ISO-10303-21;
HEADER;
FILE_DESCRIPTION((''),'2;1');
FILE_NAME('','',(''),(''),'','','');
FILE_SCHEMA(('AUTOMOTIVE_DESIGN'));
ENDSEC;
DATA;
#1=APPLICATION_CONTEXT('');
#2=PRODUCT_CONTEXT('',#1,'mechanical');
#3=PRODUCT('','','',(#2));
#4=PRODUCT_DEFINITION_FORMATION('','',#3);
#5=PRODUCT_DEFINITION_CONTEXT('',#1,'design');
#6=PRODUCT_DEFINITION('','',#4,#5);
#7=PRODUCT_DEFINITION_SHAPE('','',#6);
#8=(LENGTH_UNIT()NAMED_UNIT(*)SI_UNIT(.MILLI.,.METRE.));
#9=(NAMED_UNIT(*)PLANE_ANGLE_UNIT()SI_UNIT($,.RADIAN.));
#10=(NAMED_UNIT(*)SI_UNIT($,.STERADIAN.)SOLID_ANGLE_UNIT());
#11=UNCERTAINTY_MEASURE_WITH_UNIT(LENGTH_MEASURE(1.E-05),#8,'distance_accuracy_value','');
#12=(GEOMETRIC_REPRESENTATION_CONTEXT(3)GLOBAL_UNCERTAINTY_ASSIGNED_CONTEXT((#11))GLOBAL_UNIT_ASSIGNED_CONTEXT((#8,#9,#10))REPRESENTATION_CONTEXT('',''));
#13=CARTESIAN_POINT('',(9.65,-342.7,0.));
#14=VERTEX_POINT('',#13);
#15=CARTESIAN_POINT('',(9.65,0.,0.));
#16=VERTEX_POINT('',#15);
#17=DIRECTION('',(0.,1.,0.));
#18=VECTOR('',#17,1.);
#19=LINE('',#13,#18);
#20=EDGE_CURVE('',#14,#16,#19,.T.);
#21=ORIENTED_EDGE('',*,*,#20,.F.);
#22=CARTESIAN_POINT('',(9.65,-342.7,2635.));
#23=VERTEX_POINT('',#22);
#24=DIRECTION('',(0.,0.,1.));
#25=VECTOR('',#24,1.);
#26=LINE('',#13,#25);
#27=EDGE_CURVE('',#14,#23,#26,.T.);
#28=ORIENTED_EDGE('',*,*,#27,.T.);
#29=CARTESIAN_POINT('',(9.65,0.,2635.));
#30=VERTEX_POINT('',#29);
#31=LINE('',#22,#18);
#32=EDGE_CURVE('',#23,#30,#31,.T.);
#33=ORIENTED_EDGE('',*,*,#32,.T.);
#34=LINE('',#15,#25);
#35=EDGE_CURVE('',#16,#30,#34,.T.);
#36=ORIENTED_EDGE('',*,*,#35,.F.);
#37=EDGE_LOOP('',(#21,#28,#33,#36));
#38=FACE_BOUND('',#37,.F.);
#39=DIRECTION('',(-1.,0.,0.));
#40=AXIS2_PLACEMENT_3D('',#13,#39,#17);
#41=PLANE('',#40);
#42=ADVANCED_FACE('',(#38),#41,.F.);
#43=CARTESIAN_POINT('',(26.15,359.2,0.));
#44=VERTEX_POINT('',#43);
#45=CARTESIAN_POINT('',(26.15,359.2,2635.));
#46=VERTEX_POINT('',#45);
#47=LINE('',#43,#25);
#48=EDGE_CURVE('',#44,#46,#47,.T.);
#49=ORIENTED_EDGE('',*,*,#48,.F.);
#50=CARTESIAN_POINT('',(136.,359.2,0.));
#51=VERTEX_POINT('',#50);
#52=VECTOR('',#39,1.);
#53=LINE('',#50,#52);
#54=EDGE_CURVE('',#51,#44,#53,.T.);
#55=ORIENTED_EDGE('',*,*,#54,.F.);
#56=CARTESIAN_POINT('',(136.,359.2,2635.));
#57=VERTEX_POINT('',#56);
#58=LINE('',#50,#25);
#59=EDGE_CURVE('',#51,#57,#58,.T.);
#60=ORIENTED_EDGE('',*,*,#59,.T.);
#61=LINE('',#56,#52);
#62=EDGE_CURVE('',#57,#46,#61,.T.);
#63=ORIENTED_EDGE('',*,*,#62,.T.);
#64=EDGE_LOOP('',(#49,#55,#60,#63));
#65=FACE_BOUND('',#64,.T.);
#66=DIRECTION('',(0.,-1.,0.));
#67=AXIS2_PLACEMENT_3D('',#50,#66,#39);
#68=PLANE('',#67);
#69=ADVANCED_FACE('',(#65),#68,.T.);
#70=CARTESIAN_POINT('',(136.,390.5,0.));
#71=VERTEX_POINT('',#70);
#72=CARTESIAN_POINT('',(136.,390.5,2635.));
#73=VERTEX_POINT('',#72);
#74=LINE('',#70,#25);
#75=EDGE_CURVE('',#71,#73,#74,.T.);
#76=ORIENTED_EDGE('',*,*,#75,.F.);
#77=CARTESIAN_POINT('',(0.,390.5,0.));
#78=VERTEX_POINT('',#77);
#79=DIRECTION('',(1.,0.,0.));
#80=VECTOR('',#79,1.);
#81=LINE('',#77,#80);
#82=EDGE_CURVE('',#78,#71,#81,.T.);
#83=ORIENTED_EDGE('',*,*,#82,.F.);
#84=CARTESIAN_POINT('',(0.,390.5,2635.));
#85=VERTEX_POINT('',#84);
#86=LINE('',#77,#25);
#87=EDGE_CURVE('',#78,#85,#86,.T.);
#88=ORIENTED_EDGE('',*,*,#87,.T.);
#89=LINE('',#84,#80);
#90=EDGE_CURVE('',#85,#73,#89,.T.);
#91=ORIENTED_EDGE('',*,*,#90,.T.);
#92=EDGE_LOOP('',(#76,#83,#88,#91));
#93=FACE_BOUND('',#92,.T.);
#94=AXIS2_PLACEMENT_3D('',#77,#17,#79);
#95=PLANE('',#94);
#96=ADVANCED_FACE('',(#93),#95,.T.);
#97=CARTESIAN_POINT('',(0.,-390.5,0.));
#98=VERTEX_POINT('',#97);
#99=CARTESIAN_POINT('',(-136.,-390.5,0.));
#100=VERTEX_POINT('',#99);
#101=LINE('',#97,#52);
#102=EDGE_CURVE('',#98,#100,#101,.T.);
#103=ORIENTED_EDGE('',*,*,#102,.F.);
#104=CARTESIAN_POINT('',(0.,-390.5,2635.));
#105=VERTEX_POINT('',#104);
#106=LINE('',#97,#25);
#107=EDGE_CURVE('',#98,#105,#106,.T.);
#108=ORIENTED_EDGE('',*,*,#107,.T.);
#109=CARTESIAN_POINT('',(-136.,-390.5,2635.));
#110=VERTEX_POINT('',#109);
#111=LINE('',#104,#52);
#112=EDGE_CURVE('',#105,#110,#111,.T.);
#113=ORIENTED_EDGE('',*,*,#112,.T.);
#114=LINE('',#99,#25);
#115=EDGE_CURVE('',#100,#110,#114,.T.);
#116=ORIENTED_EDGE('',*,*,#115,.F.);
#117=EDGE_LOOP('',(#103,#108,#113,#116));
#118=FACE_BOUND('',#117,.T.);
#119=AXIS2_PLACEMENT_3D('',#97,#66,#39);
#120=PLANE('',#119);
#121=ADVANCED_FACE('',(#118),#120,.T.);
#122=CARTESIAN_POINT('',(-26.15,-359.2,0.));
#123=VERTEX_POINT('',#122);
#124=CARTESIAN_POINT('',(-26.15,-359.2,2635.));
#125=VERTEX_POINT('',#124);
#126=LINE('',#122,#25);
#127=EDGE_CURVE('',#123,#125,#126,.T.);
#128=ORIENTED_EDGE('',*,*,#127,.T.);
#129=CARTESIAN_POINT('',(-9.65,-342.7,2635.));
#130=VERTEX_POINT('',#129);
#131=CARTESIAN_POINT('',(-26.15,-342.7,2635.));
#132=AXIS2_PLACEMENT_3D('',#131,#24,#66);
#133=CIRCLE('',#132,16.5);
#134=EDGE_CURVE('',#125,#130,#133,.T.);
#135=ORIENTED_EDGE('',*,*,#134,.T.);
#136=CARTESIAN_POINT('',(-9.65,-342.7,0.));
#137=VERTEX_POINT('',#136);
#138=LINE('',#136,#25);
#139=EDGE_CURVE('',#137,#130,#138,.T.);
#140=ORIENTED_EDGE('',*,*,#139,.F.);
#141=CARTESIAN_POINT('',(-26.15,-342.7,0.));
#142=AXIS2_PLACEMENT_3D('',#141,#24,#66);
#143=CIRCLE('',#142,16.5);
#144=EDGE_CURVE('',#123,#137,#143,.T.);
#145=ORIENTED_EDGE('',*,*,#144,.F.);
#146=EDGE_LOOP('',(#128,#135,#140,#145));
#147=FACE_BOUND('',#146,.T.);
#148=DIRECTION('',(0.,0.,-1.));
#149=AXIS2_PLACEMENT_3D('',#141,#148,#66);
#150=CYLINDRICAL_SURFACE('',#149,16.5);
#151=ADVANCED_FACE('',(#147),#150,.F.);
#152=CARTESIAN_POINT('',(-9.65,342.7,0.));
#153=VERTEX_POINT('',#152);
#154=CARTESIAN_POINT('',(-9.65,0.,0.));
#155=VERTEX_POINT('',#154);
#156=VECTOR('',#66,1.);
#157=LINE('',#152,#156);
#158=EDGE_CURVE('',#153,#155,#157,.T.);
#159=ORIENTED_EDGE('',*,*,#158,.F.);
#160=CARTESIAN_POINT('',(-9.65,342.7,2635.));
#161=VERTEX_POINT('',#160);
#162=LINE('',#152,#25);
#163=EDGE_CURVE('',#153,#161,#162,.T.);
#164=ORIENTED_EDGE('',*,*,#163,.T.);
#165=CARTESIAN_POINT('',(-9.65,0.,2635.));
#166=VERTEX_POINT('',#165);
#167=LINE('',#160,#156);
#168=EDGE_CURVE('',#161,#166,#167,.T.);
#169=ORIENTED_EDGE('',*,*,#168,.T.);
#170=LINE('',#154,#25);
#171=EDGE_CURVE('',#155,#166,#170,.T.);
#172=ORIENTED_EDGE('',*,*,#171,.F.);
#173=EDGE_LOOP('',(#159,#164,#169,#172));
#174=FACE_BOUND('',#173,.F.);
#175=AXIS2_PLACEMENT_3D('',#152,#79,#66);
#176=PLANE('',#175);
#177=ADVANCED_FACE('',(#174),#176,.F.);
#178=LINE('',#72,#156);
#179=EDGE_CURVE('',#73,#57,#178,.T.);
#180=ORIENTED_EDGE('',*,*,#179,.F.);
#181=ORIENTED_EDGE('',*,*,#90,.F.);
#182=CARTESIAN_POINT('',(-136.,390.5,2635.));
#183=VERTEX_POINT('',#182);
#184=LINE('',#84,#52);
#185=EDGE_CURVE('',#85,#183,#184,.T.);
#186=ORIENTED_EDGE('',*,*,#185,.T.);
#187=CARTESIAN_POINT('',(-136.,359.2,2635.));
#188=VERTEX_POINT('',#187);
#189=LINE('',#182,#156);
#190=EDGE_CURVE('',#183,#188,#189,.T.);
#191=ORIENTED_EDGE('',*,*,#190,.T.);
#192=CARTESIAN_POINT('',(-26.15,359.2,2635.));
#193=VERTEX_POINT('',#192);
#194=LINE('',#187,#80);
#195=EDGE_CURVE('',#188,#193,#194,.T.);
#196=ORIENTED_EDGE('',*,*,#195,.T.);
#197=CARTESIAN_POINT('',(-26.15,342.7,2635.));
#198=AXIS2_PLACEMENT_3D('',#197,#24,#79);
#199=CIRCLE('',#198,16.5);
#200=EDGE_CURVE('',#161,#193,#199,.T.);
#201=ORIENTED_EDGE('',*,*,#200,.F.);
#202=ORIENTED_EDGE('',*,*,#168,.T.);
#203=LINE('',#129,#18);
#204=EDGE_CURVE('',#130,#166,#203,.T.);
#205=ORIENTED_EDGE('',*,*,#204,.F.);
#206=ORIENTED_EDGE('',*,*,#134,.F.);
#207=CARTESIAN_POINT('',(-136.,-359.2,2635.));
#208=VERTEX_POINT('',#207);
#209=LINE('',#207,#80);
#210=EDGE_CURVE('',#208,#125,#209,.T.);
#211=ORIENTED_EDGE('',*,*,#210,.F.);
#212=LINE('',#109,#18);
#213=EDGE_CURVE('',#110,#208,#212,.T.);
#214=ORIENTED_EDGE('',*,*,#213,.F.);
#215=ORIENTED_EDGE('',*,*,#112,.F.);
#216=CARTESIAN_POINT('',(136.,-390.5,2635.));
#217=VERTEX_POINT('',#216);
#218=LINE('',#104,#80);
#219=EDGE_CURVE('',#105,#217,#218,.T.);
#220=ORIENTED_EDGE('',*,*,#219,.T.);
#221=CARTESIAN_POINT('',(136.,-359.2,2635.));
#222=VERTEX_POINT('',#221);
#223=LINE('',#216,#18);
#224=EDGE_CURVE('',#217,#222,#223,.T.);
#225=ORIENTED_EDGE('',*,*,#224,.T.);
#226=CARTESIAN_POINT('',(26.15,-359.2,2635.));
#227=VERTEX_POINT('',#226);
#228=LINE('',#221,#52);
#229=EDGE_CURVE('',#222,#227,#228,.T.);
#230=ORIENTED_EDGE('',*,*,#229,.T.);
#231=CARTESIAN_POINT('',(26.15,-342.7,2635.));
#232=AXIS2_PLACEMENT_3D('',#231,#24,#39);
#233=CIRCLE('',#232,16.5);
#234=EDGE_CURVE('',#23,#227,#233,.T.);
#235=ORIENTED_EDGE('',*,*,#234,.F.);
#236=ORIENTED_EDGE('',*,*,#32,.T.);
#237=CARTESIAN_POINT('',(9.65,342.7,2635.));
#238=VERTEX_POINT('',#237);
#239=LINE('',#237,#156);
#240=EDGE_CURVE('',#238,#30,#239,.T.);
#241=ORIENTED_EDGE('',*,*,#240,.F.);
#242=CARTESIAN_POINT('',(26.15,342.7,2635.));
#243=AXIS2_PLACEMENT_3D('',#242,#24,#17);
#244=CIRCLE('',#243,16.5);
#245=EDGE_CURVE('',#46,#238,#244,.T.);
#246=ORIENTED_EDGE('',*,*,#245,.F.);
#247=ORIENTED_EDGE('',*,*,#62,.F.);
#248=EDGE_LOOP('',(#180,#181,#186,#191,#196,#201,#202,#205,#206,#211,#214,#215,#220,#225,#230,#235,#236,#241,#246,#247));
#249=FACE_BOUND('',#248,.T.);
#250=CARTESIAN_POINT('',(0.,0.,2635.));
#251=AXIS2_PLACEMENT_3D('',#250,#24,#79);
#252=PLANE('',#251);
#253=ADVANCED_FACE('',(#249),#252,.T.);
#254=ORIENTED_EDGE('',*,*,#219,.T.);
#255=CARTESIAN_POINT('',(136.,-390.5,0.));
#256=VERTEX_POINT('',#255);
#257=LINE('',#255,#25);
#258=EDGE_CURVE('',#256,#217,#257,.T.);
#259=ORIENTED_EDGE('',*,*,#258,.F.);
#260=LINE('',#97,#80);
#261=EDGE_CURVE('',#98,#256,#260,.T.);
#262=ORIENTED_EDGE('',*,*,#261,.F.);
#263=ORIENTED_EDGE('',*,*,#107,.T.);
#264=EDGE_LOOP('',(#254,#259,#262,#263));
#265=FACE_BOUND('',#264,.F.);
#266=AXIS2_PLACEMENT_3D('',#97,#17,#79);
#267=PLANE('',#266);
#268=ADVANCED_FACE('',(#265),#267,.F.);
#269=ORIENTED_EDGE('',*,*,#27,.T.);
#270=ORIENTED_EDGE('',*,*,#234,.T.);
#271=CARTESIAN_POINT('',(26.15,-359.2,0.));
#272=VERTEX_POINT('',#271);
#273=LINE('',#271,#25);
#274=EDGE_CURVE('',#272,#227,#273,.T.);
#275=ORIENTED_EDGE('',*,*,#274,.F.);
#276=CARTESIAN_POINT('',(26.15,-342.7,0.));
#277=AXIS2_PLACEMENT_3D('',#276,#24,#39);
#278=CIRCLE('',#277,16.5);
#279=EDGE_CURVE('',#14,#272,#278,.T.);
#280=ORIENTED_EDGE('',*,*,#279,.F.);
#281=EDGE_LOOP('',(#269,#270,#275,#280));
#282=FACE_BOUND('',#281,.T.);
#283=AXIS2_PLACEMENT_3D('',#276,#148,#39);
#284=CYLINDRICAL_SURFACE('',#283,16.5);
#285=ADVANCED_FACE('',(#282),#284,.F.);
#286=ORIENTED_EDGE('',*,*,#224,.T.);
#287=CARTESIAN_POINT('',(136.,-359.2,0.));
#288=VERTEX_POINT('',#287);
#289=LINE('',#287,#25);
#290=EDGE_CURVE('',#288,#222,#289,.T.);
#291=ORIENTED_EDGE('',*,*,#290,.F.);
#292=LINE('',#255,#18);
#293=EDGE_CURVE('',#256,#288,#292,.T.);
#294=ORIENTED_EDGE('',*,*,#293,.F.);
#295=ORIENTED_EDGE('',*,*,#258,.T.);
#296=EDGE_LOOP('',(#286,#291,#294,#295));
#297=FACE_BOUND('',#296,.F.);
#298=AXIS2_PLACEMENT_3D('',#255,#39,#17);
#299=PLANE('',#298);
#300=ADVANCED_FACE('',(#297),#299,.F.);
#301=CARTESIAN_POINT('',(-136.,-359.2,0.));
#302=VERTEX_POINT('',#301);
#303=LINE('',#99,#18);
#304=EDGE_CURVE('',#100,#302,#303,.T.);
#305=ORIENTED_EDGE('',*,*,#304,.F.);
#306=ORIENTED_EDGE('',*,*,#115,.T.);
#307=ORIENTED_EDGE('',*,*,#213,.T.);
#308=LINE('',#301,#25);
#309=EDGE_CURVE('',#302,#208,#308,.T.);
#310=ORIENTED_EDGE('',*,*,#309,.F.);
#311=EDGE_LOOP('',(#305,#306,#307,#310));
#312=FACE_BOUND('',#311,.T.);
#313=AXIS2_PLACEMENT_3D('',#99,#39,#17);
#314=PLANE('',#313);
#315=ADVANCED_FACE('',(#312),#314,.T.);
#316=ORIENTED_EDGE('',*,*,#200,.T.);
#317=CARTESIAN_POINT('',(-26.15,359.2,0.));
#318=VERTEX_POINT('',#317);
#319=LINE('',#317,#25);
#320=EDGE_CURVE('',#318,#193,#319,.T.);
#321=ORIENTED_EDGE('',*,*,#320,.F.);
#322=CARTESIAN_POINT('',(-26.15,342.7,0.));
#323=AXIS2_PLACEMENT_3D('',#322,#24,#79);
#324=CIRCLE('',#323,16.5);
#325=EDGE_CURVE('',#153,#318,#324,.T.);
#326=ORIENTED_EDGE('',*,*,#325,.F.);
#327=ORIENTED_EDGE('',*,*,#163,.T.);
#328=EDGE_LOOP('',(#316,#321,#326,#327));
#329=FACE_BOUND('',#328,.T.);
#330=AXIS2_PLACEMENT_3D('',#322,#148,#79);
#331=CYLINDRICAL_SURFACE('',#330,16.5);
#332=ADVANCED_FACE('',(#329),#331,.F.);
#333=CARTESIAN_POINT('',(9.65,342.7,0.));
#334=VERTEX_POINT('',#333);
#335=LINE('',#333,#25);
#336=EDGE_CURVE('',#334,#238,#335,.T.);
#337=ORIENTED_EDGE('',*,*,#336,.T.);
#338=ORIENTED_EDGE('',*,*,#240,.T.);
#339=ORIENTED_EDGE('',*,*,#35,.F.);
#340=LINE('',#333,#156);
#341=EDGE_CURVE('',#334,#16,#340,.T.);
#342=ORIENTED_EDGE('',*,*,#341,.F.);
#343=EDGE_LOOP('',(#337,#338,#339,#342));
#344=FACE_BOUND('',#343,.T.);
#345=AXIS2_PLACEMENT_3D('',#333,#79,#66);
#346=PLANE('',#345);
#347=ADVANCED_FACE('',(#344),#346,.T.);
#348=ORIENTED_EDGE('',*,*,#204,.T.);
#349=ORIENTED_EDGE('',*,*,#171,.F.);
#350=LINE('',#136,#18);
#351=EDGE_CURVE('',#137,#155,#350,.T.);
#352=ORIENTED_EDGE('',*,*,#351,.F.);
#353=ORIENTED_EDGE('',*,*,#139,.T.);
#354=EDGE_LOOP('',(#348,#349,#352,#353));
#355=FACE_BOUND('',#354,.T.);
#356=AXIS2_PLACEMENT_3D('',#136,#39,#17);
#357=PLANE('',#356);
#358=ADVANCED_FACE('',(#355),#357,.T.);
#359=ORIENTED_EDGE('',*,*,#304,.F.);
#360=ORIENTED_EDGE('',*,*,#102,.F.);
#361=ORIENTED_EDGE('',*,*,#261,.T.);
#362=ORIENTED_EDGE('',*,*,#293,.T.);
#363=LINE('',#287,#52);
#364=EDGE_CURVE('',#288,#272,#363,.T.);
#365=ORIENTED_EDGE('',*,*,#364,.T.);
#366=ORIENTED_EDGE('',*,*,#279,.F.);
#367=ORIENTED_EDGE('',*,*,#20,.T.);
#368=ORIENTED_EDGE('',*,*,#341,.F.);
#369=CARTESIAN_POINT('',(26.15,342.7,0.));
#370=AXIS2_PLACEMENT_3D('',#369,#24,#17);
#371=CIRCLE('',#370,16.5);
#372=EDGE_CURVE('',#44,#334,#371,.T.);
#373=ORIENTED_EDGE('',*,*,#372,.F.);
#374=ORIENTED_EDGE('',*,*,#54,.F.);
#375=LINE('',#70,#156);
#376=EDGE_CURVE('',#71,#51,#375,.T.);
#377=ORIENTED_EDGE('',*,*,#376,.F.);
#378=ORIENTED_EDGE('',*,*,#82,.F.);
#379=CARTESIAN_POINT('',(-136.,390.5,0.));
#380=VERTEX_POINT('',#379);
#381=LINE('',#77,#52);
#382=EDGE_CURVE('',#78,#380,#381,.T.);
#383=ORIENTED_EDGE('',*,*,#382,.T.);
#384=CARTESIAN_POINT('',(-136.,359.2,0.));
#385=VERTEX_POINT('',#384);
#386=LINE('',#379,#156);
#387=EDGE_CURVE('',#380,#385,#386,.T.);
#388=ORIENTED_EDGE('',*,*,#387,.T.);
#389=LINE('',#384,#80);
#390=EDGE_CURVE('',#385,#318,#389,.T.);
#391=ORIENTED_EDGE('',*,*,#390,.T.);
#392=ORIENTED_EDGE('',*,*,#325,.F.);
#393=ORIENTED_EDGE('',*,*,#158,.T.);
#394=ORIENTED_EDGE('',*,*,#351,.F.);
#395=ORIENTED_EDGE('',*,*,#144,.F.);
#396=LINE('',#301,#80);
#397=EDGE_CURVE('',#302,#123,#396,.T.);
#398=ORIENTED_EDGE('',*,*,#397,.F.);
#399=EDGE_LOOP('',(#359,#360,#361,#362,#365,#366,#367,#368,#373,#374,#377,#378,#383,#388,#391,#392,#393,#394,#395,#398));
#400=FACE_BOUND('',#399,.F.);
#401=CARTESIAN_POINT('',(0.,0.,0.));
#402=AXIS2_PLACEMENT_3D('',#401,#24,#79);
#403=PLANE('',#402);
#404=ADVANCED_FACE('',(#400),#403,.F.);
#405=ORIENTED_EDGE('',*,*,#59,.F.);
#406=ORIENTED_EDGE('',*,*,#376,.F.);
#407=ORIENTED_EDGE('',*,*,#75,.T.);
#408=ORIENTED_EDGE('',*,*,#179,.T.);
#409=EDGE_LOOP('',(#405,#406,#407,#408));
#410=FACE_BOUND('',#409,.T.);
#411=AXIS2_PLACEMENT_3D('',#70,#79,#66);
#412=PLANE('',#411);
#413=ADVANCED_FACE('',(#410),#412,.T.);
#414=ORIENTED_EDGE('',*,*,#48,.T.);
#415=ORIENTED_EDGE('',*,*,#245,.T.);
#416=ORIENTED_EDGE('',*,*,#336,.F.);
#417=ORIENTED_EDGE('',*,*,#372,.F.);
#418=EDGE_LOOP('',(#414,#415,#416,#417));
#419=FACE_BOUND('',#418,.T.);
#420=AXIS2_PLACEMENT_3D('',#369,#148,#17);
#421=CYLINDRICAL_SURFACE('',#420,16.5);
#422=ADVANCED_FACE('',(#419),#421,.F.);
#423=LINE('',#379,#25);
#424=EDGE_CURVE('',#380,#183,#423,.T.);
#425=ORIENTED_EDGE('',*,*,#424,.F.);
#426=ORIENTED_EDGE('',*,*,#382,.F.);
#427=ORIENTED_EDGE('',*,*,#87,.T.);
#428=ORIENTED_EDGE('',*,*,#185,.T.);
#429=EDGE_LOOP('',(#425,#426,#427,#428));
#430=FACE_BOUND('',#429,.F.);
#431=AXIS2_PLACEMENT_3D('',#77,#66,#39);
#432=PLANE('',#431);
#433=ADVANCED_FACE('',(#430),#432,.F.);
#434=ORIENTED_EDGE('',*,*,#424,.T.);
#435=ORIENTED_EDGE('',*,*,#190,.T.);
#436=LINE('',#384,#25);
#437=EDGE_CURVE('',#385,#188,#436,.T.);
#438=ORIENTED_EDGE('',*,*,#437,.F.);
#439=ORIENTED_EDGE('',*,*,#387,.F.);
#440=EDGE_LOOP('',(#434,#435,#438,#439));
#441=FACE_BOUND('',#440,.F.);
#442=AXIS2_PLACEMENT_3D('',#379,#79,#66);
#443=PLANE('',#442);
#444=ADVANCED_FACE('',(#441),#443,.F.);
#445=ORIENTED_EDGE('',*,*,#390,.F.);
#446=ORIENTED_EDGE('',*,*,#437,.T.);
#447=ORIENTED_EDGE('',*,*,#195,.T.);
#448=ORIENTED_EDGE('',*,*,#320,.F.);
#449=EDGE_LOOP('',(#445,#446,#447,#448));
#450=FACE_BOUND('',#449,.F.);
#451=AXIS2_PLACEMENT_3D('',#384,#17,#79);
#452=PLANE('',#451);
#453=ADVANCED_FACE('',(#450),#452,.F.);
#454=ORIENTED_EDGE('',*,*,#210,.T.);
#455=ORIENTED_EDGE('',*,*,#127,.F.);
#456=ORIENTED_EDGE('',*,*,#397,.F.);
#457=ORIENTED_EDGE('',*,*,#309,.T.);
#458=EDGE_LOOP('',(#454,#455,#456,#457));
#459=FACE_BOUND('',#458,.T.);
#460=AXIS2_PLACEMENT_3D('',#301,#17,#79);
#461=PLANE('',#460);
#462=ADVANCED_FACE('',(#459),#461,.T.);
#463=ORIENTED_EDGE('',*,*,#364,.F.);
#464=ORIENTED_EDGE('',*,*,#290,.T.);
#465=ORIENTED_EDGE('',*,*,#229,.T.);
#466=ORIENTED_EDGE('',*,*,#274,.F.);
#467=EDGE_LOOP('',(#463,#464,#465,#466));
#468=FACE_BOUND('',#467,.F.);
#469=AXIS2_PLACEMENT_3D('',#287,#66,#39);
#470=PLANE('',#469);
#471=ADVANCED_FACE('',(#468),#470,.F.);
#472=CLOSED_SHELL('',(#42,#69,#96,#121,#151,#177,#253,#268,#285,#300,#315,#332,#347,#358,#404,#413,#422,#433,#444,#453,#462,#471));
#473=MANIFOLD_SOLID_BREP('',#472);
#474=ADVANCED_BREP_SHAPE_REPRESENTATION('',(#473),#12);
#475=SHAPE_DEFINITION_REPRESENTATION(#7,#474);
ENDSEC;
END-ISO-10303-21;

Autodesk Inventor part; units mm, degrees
ref_plane "YZ Plane" through (0, 0, 0) normal (1, 0, 0) x (0, 1, 0)
ref_plane "Start plane" through (0, 0, 0) normal (0, 0, 1) x (1, 0, 0)
ref_plane "End plane" through (0, 0, 2635) normal (0, 0, 1) x (1, 0, 0)
sketch "Sketch" plane through (0, 0, 0) normal (0, 0, 1) x (1, 0, 0)
  line L0 (-136, -390.5) -> (-136, -359.2)
  line L1 (-136, -359.2) -> (-26.15, -359.2)
  line L2 (-9.65, -342.7) -> (-9.65, 0)
  line L3 (-9.65, 0) -> (0, 0) construction
  line L4 (0, 0) -> (0, -390.5) construction
  line L5 (0, -390.5) -> (-136, -390.5)
  line L6 (-60, 0) -> (80, 0) construction
  line L7 (0, -60) -> (0, 80) construction
  line L8 (136, -390.5) -> (136, -359.2)
  line L9 (136, -359.2) -> (26.15, -359.2)
  line L10 (9.65, -342.7) -> (9.65, 0)
  line L11 (9.65, 0) -> (0, 0) construction
  line L12 (0, -390.5) -> (136, -390.5)
  line L13 (-136, 390.5) -> (-136, 359.2)
  line L14 (-136, 359.2) -> (-26.15, 359.2)
  line L15 (-9.65, 342.7) -> (-9.65, 0)
  line L16 (0, 390.5) -> (-136, 390.5)
  line L17 (136, 390.5) -> (136, 359.2)
  line L18 (136, 359.2) -> (26.15, 359.2)
  line L19 (0, 390.5) -> (136, 390.5)
  line L20 (9.65, 342.7) -> (9.65, 0)
  arc A0 (-9.65, 342.7) -> (-26.15, 359.2) centre (-26.15, 342.7) ccw
  arc A1 (26.15, 359.2) -> (9.65, 342.7) centre (26.15, 342.7) ccw
  arc A2 (9.65, -342.7) -> (26.15, -359.2) centre (26.15, -342.7) ccw
  arc A3 (-26.15, -359.2) -> (-9.65, -342.7) centre (-26.15, -342.7) ccw
  line L21 (0, 108) -> (0, -88) construction
  line L22 (-88, 0) -> (108, 0) construction
  point P0 (-9.65, -359.2)
  point P1 (9.65, -359.2)
  point P2 (-9.65, 359.2)
  point P3 (9.65, 359.2)
  dimension "d1" = 390.5
  dimension "d2" = 31.3
  dimension "d3" = 136
  dimension "d4" = 9.65
  dimension "d10" = 16.5
extrude "Body" add sketch "Sketch" along normal up to surface (2635 mm away) from surface at 0
sketch "Sketch4" plane through (0, 0, 0) normal (0, 0, 1) x (1, 0, 0)
  line L0 (0, 0) -> (10, 0)
ref_plane "Work Plane3" through (0, 0, 0) normal (0, -1, 0) x (1, 0, 0)
sketch "Sketch5" plane through (0, 0, 0) normal (0, -1, 0) x (1, 0, 0)
  line L0 (-2, 0) -> (12, 0) projected
  line L1 (-2, 2635) -> (12, 2635) projected
  dimension "d14" = 2635
equation "\"d1\" = 0.5 * G_H"
equation "\"d2\" = G_T1"
equation "\"d3\" = 0.5 * G_W"
equation "\"d4\" = 0.5 * G_T"
equation "\"d10\" = G_IR"
equation "\"d5\" = G_L"
equation "\"G_W\" = 272"
equation "\"G_H\" = 781"
equation "\"G_T\" = 19.3"
equation "\"G_T1\" = 31.3"
equation "\"G_IR\" = 16.5"
equation "\"G_L\" = d14"
equation "\"G_OFFSET_START\" = 0"
equation "\"G_OFFSET_END\" = 0"
equation "\"d12\" = G_OFFSET_END + B_L"
equation "\"B_L\" = 2635"
properties part number "AS 3679-1990 - 760 UB - 244 - 2635" material "Steel, Mild"
